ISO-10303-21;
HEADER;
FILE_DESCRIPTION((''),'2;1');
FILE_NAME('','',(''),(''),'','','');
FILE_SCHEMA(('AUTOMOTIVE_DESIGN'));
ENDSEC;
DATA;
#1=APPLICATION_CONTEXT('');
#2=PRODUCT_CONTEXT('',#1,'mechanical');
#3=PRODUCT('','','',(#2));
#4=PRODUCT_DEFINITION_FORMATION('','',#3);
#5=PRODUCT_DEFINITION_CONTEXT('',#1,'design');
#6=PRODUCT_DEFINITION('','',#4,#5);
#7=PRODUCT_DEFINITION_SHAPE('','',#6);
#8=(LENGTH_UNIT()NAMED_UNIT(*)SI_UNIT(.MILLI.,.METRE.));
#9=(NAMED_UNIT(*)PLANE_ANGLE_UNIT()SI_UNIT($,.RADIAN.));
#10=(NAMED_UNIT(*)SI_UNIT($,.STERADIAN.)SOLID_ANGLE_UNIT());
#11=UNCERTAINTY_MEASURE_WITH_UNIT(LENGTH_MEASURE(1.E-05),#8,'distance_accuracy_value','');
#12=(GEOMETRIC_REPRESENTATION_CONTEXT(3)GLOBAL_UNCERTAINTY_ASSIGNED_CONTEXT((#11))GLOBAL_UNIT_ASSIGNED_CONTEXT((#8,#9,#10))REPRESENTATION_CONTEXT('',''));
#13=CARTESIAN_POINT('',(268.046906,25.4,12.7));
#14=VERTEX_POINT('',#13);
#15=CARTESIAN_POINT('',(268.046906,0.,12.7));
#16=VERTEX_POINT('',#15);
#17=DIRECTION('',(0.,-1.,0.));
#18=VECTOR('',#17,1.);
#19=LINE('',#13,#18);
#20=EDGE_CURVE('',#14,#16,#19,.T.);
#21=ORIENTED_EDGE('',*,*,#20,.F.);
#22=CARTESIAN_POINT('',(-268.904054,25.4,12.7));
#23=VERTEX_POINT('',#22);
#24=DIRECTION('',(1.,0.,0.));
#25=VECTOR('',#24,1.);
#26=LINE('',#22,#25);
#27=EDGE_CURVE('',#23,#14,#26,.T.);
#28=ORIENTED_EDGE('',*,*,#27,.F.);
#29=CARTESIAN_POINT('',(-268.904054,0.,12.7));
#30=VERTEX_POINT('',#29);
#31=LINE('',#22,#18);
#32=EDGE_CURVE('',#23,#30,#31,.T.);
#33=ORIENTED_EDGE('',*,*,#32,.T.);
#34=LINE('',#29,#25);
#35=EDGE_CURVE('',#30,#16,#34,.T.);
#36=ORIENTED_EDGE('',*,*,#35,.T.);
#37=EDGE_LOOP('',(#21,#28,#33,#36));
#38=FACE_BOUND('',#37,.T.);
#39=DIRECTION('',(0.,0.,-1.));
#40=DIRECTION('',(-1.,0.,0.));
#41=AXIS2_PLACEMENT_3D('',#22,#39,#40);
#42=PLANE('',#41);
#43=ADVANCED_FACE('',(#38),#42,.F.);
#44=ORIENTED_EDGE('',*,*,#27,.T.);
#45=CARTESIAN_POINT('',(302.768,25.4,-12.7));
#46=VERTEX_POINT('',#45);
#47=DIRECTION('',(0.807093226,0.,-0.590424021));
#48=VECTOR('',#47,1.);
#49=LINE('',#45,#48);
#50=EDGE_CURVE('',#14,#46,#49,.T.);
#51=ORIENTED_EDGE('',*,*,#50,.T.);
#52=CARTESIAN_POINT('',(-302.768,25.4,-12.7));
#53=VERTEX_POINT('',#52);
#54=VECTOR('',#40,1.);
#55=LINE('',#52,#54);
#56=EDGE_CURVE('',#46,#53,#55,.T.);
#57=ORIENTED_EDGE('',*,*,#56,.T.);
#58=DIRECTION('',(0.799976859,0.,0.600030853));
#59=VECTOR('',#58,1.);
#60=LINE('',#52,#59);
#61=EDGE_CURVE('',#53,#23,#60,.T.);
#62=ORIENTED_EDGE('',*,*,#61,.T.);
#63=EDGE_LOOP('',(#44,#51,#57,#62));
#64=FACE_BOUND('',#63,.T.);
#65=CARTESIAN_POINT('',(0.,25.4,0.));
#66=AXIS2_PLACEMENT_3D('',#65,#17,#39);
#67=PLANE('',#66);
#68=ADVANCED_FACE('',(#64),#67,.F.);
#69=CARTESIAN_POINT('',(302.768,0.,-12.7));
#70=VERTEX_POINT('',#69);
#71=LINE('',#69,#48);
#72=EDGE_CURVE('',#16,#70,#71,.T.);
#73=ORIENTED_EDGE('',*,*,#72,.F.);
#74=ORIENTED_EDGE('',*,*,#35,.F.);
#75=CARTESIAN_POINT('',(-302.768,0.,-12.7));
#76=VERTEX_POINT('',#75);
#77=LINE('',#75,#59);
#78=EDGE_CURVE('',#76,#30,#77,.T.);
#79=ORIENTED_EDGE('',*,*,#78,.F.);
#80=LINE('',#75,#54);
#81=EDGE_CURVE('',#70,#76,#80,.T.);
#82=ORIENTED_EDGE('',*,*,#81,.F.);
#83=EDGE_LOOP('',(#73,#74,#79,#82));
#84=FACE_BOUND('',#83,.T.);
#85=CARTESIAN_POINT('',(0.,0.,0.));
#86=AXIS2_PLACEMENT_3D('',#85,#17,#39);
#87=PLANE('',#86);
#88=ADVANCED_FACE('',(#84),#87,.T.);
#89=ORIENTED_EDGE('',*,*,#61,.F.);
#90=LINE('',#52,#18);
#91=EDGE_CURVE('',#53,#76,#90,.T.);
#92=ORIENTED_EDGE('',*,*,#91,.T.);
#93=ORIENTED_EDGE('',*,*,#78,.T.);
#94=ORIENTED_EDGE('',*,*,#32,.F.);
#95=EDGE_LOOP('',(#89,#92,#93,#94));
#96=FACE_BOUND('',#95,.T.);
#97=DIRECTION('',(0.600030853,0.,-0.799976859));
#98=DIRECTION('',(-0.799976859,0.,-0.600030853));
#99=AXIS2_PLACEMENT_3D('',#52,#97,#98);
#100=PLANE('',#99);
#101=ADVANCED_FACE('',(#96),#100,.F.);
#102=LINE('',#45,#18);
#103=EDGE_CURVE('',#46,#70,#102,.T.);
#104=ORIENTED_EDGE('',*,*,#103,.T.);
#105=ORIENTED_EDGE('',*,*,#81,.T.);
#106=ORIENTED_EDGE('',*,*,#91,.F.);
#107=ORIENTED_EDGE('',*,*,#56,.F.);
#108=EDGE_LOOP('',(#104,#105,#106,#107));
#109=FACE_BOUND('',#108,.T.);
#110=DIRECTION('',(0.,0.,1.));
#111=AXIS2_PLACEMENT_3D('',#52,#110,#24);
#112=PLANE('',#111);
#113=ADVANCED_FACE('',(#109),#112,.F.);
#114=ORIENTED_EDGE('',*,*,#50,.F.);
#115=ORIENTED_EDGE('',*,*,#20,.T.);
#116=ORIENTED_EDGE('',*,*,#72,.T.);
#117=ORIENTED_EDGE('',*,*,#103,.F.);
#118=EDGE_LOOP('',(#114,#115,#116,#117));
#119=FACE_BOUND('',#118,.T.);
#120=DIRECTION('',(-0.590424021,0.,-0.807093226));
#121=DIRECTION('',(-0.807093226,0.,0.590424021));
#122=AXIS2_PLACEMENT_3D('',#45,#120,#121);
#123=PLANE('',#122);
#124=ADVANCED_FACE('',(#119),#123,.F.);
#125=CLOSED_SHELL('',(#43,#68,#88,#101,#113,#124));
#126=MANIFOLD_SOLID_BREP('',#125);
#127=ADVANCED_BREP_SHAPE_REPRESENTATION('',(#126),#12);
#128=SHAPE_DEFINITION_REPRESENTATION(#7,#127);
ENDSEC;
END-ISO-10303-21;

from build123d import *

# Parameters (mm, degrees)
BOSS_EXTRUDE1_DEPTH = 25.4


with BuildPart() as part:
    # Sketch2 → Boss-Extrude1 (new body)
    with BuildSketch(Plane(origin=(0, 0, 0), x_dir=(1, 0, 0), z_dir=(0, 1, 0))):
        Polygon((302.768, 12.7), (268.046906024, -12.7), (-268.904054315, -12.7), (-302.768, 12.7), align=None)
    extrude(amount=BOSS_EXTRUDE1_DEPTH)


solid = part.part
